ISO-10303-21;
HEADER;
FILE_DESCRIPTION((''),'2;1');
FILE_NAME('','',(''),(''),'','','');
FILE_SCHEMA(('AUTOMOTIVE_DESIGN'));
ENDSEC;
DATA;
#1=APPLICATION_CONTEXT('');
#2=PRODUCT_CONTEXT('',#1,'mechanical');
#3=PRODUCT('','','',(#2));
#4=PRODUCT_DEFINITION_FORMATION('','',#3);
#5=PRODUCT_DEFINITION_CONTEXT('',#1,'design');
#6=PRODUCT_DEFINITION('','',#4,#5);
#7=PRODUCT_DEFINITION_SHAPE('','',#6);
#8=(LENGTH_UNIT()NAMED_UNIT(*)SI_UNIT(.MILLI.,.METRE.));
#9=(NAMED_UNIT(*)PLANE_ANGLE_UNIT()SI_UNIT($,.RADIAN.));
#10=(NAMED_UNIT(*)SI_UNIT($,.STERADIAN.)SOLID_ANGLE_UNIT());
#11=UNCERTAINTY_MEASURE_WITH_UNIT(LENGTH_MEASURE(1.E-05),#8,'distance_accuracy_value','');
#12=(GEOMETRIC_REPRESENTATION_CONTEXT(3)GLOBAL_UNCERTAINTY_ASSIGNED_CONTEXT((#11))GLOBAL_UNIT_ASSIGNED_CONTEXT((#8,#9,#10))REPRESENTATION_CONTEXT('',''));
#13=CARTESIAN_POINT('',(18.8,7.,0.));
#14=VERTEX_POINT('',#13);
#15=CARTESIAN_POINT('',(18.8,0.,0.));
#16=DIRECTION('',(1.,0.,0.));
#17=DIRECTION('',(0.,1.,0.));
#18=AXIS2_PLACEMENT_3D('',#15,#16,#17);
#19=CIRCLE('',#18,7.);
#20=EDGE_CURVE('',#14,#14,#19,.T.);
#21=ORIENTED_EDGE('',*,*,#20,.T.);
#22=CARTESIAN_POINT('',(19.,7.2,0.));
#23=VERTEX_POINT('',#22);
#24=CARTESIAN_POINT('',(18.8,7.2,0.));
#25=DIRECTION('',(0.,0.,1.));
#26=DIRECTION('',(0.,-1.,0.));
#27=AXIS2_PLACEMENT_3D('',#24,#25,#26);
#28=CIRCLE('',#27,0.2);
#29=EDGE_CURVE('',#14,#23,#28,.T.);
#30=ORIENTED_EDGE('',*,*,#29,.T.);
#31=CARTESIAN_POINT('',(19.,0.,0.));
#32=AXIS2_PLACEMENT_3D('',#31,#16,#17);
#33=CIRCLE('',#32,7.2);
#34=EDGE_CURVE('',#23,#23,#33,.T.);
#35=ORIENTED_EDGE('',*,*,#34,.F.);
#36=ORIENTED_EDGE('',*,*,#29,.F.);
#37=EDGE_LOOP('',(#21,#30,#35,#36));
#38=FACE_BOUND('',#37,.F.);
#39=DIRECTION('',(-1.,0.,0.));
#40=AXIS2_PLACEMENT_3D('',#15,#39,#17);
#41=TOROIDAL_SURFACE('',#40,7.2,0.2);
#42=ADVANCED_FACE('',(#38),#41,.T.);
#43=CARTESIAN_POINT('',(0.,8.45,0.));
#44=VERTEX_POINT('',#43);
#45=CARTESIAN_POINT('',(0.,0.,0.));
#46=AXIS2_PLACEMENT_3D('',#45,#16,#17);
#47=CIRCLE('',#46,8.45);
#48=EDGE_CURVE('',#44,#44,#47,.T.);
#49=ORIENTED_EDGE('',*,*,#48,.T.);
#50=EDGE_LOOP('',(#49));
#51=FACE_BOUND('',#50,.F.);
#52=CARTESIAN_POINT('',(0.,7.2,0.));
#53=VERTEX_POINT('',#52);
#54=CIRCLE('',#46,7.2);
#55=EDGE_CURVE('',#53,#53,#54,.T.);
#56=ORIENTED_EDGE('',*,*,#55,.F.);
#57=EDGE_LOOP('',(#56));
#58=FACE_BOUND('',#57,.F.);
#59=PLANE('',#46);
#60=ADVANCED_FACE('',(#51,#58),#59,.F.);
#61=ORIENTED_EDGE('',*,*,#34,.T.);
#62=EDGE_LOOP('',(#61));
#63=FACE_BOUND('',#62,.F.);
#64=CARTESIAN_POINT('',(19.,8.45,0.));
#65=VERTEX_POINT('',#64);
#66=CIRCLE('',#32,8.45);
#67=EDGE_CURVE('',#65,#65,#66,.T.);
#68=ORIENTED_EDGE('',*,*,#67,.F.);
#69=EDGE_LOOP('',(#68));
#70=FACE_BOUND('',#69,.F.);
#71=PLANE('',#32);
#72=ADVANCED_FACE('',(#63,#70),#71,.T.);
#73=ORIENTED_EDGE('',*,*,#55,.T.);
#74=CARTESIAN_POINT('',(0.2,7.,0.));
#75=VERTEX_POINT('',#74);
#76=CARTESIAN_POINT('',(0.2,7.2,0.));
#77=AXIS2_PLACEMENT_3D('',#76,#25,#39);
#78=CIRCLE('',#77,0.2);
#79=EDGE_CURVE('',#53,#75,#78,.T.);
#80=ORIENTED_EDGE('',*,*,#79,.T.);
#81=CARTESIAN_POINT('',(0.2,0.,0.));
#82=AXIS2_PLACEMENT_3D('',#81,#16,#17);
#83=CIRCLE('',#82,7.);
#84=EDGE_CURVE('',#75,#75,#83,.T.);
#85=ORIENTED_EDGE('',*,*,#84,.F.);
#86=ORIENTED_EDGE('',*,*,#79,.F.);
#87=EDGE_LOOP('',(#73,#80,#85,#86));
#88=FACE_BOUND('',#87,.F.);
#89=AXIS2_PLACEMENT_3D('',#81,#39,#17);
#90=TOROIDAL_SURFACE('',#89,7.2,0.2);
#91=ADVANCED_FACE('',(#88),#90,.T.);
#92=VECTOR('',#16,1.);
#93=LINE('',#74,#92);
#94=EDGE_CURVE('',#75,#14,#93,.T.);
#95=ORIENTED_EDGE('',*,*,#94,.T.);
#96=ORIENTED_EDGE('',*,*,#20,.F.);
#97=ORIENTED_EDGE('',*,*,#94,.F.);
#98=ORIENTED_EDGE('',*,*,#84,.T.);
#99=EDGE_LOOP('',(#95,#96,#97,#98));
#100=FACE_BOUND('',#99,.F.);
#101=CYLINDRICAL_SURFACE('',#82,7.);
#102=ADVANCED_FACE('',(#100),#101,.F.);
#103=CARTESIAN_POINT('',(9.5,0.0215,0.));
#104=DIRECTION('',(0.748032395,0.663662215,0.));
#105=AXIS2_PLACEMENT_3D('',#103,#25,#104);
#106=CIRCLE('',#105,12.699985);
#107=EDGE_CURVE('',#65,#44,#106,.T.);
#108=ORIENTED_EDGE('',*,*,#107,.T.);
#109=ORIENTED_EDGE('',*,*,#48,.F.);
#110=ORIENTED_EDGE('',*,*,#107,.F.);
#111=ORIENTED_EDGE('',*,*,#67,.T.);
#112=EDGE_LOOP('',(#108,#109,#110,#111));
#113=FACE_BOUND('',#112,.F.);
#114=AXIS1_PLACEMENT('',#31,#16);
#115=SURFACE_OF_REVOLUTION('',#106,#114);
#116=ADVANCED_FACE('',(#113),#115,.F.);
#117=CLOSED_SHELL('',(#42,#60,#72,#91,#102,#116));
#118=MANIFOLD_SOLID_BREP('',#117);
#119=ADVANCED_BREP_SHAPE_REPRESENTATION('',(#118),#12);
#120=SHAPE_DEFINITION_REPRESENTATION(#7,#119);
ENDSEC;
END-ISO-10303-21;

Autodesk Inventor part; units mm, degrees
sketch "Sketch_1" plane through (0, 0, 0) normal (0, 0, 1) x (1, 0, 0)
  line L0 (19, 0) -> (0, 0)
  arc A0 (0, 7.2) -> (0.2, 7) centre (0.2, 7.2) ccw
  line L1 (0.2, 7) -> (18.8, 7)
  arc A1 (18.8, 7) -> (19, 7.2) centre (18.8, 7.2) ccw
  line L2 (19, 7.2) -> (19, 8.45)
  arc A2 (19, 8.45) -> (0, 8.45) centre (9.5, 0.0215) ccw
  line L3 (0, 8.45) -> (0, 7.2)
revolve "Revolution1" add sketch "Sketch_1" angle 360 about axis through (19, 0, 0) along (1, 0, 0)
ref_plane "IP_1_BA_XY" through (9.5, 0, 0) normal (1, 0, 0) x (0, 0, -1)
ref_plane "IP_1_BA_YZ" through (9.5, 0, 0) normal (0, 0, -1) x (0, 1, 0)
ref_plane "IP_1_BA_ZX" through (9.5, 0, 0) normal (0, 1, 0) x (1, 0, 0)
properties part number "POS 14ECBall"
